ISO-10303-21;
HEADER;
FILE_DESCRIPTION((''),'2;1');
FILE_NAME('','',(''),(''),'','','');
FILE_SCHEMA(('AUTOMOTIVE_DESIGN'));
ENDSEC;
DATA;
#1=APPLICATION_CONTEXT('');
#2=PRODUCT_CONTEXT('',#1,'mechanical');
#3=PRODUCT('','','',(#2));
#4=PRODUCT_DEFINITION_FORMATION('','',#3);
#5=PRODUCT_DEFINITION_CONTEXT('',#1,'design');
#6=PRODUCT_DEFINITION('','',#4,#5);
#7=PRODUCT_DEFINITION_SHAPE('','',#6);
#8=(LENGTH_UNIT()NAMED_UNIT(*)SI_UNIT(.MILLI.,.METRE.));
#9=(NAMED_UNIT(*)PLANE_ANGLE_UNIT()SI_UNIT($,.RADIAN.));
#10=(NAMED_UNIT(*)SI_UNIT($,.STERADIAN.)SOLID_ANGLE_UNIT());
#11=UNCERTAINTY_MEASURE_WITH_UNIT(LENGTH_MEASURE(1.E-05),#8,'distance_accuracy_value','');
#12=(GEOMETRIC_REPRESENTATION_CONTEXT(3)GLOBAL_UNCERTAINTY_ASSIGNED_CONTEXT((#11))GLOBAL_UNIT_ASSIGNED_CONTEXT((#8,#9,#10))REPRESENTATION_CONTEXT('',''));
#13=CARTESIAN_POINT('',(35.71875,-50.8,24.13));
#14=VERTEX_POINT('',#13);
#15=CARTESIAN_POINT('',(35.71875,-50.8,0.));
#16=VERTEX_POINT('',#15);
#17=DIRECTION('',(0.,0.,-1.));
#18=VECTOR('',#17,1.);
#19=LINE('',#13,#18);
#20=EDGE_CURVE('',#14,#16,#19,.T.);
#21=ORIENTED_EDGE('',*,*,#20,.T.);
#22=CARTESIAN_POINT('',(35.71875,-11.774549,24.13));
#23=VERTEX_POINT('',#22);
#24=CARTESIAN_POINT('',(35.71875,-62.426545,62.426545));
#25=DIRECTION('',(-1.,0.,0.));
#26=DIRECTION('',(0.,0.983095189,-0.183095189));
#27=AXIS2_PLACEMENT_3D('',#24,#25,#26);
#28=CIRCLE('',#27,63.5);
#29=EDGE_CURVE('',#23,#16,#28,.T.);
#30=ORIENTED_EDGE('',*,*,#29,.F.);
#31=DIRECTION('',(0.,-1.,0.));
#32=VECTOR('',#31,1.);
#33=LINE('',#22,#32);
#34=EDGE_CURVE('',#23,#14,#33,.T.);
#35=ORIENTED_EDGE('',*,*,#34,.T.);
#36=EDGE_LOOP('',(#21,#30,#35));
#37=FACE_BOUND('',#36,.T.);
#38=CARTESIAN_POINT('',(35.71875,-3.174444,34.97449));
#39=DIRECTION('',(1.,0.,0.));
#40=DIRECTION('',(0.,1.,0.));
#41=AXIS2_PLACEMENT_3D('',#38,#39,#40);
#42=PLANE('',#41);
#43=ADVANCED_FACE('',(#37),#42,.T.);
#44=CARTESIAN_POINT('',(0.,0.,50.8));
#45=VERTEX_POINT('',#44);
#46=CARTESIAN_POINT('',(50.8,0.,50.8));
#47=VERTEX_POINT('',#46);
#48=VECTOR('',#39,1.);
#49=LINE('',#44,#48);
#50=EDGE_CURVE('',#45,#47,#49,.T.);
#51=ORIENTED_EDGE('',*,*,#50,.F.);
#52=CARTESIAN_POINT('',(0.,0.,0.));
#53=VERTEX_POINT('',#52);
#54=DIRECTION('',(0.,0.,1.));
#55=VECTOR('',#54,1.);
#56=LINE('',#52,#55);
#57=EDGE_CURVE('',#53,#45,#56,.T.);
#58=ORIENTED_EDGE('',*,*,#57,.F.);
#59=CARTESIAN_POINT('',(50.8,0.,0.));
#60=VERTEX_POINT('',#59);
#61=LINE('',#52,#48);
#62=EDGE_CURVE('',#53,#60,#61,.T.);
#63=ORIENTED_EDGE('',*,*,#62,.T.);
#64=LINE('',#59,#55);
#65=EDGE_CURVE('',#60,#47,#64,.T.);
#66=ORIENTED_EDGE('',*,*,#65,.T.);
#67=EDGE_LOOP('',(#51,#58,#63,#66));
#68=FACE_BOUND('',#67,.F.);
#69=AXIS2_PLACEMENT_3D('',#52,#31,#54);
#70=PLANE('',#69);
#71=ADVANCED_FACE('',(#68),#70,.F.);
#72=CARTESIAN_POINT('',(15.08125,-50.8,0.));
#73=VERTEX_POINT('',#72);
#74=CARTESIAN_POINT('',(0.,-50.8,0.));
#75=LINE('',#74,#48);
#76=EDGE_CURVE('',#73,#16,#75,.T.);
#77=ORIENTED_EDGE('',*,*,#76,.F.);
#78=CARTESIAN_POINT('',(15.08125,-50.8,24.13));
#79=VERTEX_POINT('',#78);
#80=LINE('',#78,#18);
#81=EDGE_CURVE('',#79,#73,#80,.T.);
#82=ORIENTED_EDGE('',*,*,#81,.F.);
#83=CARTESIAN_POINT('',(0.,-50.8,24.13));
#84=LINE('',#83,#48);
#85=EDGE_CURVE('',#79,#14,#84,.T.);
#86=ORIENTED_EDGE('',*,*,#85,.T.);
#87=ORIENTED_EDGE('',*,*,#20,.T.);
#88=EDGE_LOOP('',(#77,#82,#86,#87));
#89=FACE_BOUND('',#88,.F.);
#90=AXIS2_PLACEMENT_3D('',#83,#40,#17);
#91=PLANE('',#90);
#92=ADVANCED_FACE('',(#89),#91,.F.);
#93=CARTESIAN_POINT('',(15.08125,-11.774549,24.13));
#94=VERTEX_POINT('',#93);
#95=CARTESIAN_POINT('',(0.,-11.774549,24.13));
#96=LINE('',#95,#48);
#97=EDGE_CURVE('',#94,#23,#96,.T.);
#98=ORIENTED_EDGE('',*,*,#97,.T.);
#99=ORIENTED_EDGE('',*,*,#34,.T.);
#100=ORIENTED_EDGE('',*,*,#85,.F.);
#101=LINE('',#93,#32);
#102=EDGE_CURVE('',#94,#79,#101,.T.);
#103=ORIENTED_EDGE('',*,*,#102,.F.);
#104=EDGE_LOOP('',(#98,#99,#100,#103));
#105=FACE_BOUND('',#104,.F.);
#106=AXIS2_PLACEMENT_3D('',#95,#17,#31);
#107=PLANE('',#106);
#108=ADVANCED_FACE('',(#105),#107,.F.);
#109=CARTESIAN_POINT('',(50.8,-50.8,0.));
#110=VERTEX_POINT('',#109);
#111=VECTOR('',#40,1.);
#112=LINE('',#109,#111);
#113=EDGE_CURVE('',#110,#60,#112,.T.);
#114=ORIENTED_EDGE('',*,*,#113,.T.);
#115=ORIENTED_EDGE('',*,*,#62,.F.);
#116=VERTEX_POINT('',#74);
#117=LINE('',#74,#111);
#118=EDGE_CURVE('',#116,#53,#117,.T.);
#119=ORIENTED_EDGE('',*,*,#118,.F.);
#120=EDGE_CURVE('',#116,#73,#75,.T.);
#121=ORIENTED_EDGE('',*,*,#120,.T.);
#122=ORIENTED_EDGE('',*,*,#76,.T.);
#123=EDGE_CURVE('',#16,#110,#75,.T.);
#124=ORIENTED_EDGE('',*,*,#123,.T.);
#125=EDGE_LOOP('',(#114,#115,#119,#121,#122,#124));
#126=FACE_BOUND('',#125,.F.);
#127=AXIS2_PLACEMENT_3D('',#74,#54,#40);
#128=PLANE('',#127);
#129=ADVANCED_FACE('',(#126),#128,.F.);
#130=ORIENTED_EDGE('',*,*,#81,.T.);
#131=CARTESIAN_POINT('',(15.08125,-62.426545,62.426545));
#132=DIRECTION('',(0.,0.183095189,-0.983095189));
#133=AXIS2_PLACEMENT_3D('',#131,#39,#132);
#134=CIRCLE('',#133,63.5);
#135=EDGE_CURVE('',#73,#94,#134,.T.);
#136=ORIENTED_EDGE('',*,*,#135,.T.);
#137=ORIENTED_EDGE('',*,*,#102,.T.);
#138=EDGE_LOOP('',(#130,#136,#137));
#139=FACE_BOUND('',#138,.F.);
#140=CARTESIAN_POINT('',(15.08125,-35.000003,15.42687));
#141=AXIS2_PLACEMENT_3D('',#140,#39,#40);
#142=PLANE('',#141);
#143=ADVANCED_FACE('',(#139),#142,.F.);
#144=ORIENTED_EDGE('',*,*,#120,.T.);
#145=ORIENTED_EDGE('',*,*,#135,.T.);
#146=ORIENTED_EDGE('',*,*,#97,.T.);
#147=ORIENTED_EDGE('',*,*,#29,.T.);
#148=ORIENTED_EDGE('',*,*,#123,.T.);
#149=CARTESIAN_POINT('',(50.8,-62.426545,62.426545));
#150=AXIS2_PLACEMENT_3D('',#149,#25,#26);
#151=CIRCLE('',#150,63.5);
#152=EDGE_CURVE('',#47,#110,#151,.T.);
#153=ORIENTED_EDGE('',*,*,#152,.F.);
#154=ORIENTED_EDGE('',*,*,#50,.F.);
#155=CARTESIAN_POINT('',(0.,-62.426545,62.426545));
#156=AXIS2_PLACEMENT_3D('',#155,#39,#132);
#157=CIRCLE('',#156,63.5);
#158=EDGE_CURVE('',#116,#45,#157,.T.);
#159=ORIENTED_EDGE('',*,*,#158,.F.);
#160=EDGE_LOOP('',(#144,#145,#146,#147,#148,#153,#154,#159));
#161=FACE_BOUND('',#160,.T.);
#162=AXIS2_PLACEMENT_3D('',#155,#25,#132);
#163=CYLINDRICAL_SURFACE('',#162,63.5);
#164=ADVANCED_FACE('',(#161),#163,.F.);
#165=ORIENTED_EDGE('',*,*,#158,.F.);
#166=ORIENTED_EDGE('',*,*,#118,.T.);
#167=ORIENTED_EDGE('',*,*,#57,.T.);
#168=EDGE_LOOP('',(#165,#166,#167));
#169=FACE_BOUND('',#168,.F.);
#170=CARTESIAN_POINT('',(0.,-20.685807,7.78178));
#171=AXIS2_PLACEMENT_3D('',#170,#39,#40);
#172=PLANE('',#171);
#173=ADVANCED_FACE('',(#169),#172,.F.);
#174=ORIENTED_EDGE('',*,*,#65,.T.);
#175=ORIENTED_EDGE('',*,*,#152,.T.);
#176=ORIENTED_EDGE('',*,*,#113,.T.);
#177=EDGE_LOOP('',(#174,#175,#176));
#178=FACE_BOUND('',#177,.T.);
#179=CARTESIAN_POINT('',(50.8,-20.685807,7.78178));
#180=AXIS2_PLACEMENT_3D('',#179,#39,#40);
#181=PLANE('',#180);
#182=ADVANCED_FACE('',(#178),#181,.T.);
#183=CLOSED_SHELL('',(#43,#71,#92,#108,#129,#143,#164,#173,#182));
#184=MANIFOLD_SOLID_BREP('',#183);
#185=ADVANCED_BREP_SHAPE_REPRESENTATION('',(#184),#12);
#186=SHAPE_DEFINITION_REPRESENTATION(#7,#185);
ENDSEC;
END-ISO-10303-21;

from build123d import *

# Parameters (mm, degrees)
F1_DEPTH = 50.8
F2_DEPTH = 35.71875
F3_DEPTH = 15.08125


with BuildPart() as f1:
    # F0 (on Right) → F1 (new body)
    with BuildSketch(Plane.YZ):
        with BuildLine():
            Line((-50.8, 0), (0, 0))
            Line((0, 0), (0, 24.13))
            Line((0, 24.13), (-11.7745487484, 24.13))
            ThreePointArc((-11.7745487484, 24.13), (-29.0316591308, 8.4169932564), (-50.8, 0))
        make_face()
        with BuildLine():
            Line((-11.7745487484, 24.13), (0, 24.13))
            Line((0, 24.13), (0, 50.8))
            ThreePointArc((0, 50.8), (-4.3360005943, 36.7801275312), (-11.7745487484, 24.13))
        make_face()
    extrude(amount=F1_DEPTH)

    # F0 (on Right) → F2 (join)
    with BuildSketch(Plane.YZ):
        with BuildLine():
            Line((-11.7745487484, 24.13), (0, 24.13))
            Line((0, 24.13), (0, 50.8))
            ThreePointArc((0, 50.8), (-4.3360005943, 36.7801275312), (-11.7745487484, 24.13))
        make_face()
        with BuildLine():
            Line((-50.8, 24.13), (-50.8, 0))
            ThreePointArc((-50.8, 0), (-29.0316591308, 8.4169932564), (-11.7745487484, 24.13))
            Line((-11.7745487484, 24.13), (-50.8, 24.13))
        make_face()
        with BuildLine():
            Line((-50.8, 0), (0, 0))
            Line((0, 0), (0, 24.13))
            Line((0, 24.13), (-11.7745487484, 24.13))
            ThreePointArc((-11.7745487484, 24.13), (-29.0316591308, 8.4169932564), (-50.8, 0))
        make_face()
    extrude(amount=F2_DEPTH)

    # F0 (on Right) → F3 (cut)
    with BuildSketch(Plane.YZ):
        with BuildLine():
            Line((-50.8, 24.13), (-50.8, 0))
            ThreePointArc((-50.8, 0), (-29.0316591308, 8.4169932564), (-11.7745487484, 24.13))
            Line((-11.7745487484, 24.13), (-50.8, 24.13))
        make_face()
    extrude(amount=F3_DEPTH, mode=Mode.SUBTRACT)


solid = f1.part
